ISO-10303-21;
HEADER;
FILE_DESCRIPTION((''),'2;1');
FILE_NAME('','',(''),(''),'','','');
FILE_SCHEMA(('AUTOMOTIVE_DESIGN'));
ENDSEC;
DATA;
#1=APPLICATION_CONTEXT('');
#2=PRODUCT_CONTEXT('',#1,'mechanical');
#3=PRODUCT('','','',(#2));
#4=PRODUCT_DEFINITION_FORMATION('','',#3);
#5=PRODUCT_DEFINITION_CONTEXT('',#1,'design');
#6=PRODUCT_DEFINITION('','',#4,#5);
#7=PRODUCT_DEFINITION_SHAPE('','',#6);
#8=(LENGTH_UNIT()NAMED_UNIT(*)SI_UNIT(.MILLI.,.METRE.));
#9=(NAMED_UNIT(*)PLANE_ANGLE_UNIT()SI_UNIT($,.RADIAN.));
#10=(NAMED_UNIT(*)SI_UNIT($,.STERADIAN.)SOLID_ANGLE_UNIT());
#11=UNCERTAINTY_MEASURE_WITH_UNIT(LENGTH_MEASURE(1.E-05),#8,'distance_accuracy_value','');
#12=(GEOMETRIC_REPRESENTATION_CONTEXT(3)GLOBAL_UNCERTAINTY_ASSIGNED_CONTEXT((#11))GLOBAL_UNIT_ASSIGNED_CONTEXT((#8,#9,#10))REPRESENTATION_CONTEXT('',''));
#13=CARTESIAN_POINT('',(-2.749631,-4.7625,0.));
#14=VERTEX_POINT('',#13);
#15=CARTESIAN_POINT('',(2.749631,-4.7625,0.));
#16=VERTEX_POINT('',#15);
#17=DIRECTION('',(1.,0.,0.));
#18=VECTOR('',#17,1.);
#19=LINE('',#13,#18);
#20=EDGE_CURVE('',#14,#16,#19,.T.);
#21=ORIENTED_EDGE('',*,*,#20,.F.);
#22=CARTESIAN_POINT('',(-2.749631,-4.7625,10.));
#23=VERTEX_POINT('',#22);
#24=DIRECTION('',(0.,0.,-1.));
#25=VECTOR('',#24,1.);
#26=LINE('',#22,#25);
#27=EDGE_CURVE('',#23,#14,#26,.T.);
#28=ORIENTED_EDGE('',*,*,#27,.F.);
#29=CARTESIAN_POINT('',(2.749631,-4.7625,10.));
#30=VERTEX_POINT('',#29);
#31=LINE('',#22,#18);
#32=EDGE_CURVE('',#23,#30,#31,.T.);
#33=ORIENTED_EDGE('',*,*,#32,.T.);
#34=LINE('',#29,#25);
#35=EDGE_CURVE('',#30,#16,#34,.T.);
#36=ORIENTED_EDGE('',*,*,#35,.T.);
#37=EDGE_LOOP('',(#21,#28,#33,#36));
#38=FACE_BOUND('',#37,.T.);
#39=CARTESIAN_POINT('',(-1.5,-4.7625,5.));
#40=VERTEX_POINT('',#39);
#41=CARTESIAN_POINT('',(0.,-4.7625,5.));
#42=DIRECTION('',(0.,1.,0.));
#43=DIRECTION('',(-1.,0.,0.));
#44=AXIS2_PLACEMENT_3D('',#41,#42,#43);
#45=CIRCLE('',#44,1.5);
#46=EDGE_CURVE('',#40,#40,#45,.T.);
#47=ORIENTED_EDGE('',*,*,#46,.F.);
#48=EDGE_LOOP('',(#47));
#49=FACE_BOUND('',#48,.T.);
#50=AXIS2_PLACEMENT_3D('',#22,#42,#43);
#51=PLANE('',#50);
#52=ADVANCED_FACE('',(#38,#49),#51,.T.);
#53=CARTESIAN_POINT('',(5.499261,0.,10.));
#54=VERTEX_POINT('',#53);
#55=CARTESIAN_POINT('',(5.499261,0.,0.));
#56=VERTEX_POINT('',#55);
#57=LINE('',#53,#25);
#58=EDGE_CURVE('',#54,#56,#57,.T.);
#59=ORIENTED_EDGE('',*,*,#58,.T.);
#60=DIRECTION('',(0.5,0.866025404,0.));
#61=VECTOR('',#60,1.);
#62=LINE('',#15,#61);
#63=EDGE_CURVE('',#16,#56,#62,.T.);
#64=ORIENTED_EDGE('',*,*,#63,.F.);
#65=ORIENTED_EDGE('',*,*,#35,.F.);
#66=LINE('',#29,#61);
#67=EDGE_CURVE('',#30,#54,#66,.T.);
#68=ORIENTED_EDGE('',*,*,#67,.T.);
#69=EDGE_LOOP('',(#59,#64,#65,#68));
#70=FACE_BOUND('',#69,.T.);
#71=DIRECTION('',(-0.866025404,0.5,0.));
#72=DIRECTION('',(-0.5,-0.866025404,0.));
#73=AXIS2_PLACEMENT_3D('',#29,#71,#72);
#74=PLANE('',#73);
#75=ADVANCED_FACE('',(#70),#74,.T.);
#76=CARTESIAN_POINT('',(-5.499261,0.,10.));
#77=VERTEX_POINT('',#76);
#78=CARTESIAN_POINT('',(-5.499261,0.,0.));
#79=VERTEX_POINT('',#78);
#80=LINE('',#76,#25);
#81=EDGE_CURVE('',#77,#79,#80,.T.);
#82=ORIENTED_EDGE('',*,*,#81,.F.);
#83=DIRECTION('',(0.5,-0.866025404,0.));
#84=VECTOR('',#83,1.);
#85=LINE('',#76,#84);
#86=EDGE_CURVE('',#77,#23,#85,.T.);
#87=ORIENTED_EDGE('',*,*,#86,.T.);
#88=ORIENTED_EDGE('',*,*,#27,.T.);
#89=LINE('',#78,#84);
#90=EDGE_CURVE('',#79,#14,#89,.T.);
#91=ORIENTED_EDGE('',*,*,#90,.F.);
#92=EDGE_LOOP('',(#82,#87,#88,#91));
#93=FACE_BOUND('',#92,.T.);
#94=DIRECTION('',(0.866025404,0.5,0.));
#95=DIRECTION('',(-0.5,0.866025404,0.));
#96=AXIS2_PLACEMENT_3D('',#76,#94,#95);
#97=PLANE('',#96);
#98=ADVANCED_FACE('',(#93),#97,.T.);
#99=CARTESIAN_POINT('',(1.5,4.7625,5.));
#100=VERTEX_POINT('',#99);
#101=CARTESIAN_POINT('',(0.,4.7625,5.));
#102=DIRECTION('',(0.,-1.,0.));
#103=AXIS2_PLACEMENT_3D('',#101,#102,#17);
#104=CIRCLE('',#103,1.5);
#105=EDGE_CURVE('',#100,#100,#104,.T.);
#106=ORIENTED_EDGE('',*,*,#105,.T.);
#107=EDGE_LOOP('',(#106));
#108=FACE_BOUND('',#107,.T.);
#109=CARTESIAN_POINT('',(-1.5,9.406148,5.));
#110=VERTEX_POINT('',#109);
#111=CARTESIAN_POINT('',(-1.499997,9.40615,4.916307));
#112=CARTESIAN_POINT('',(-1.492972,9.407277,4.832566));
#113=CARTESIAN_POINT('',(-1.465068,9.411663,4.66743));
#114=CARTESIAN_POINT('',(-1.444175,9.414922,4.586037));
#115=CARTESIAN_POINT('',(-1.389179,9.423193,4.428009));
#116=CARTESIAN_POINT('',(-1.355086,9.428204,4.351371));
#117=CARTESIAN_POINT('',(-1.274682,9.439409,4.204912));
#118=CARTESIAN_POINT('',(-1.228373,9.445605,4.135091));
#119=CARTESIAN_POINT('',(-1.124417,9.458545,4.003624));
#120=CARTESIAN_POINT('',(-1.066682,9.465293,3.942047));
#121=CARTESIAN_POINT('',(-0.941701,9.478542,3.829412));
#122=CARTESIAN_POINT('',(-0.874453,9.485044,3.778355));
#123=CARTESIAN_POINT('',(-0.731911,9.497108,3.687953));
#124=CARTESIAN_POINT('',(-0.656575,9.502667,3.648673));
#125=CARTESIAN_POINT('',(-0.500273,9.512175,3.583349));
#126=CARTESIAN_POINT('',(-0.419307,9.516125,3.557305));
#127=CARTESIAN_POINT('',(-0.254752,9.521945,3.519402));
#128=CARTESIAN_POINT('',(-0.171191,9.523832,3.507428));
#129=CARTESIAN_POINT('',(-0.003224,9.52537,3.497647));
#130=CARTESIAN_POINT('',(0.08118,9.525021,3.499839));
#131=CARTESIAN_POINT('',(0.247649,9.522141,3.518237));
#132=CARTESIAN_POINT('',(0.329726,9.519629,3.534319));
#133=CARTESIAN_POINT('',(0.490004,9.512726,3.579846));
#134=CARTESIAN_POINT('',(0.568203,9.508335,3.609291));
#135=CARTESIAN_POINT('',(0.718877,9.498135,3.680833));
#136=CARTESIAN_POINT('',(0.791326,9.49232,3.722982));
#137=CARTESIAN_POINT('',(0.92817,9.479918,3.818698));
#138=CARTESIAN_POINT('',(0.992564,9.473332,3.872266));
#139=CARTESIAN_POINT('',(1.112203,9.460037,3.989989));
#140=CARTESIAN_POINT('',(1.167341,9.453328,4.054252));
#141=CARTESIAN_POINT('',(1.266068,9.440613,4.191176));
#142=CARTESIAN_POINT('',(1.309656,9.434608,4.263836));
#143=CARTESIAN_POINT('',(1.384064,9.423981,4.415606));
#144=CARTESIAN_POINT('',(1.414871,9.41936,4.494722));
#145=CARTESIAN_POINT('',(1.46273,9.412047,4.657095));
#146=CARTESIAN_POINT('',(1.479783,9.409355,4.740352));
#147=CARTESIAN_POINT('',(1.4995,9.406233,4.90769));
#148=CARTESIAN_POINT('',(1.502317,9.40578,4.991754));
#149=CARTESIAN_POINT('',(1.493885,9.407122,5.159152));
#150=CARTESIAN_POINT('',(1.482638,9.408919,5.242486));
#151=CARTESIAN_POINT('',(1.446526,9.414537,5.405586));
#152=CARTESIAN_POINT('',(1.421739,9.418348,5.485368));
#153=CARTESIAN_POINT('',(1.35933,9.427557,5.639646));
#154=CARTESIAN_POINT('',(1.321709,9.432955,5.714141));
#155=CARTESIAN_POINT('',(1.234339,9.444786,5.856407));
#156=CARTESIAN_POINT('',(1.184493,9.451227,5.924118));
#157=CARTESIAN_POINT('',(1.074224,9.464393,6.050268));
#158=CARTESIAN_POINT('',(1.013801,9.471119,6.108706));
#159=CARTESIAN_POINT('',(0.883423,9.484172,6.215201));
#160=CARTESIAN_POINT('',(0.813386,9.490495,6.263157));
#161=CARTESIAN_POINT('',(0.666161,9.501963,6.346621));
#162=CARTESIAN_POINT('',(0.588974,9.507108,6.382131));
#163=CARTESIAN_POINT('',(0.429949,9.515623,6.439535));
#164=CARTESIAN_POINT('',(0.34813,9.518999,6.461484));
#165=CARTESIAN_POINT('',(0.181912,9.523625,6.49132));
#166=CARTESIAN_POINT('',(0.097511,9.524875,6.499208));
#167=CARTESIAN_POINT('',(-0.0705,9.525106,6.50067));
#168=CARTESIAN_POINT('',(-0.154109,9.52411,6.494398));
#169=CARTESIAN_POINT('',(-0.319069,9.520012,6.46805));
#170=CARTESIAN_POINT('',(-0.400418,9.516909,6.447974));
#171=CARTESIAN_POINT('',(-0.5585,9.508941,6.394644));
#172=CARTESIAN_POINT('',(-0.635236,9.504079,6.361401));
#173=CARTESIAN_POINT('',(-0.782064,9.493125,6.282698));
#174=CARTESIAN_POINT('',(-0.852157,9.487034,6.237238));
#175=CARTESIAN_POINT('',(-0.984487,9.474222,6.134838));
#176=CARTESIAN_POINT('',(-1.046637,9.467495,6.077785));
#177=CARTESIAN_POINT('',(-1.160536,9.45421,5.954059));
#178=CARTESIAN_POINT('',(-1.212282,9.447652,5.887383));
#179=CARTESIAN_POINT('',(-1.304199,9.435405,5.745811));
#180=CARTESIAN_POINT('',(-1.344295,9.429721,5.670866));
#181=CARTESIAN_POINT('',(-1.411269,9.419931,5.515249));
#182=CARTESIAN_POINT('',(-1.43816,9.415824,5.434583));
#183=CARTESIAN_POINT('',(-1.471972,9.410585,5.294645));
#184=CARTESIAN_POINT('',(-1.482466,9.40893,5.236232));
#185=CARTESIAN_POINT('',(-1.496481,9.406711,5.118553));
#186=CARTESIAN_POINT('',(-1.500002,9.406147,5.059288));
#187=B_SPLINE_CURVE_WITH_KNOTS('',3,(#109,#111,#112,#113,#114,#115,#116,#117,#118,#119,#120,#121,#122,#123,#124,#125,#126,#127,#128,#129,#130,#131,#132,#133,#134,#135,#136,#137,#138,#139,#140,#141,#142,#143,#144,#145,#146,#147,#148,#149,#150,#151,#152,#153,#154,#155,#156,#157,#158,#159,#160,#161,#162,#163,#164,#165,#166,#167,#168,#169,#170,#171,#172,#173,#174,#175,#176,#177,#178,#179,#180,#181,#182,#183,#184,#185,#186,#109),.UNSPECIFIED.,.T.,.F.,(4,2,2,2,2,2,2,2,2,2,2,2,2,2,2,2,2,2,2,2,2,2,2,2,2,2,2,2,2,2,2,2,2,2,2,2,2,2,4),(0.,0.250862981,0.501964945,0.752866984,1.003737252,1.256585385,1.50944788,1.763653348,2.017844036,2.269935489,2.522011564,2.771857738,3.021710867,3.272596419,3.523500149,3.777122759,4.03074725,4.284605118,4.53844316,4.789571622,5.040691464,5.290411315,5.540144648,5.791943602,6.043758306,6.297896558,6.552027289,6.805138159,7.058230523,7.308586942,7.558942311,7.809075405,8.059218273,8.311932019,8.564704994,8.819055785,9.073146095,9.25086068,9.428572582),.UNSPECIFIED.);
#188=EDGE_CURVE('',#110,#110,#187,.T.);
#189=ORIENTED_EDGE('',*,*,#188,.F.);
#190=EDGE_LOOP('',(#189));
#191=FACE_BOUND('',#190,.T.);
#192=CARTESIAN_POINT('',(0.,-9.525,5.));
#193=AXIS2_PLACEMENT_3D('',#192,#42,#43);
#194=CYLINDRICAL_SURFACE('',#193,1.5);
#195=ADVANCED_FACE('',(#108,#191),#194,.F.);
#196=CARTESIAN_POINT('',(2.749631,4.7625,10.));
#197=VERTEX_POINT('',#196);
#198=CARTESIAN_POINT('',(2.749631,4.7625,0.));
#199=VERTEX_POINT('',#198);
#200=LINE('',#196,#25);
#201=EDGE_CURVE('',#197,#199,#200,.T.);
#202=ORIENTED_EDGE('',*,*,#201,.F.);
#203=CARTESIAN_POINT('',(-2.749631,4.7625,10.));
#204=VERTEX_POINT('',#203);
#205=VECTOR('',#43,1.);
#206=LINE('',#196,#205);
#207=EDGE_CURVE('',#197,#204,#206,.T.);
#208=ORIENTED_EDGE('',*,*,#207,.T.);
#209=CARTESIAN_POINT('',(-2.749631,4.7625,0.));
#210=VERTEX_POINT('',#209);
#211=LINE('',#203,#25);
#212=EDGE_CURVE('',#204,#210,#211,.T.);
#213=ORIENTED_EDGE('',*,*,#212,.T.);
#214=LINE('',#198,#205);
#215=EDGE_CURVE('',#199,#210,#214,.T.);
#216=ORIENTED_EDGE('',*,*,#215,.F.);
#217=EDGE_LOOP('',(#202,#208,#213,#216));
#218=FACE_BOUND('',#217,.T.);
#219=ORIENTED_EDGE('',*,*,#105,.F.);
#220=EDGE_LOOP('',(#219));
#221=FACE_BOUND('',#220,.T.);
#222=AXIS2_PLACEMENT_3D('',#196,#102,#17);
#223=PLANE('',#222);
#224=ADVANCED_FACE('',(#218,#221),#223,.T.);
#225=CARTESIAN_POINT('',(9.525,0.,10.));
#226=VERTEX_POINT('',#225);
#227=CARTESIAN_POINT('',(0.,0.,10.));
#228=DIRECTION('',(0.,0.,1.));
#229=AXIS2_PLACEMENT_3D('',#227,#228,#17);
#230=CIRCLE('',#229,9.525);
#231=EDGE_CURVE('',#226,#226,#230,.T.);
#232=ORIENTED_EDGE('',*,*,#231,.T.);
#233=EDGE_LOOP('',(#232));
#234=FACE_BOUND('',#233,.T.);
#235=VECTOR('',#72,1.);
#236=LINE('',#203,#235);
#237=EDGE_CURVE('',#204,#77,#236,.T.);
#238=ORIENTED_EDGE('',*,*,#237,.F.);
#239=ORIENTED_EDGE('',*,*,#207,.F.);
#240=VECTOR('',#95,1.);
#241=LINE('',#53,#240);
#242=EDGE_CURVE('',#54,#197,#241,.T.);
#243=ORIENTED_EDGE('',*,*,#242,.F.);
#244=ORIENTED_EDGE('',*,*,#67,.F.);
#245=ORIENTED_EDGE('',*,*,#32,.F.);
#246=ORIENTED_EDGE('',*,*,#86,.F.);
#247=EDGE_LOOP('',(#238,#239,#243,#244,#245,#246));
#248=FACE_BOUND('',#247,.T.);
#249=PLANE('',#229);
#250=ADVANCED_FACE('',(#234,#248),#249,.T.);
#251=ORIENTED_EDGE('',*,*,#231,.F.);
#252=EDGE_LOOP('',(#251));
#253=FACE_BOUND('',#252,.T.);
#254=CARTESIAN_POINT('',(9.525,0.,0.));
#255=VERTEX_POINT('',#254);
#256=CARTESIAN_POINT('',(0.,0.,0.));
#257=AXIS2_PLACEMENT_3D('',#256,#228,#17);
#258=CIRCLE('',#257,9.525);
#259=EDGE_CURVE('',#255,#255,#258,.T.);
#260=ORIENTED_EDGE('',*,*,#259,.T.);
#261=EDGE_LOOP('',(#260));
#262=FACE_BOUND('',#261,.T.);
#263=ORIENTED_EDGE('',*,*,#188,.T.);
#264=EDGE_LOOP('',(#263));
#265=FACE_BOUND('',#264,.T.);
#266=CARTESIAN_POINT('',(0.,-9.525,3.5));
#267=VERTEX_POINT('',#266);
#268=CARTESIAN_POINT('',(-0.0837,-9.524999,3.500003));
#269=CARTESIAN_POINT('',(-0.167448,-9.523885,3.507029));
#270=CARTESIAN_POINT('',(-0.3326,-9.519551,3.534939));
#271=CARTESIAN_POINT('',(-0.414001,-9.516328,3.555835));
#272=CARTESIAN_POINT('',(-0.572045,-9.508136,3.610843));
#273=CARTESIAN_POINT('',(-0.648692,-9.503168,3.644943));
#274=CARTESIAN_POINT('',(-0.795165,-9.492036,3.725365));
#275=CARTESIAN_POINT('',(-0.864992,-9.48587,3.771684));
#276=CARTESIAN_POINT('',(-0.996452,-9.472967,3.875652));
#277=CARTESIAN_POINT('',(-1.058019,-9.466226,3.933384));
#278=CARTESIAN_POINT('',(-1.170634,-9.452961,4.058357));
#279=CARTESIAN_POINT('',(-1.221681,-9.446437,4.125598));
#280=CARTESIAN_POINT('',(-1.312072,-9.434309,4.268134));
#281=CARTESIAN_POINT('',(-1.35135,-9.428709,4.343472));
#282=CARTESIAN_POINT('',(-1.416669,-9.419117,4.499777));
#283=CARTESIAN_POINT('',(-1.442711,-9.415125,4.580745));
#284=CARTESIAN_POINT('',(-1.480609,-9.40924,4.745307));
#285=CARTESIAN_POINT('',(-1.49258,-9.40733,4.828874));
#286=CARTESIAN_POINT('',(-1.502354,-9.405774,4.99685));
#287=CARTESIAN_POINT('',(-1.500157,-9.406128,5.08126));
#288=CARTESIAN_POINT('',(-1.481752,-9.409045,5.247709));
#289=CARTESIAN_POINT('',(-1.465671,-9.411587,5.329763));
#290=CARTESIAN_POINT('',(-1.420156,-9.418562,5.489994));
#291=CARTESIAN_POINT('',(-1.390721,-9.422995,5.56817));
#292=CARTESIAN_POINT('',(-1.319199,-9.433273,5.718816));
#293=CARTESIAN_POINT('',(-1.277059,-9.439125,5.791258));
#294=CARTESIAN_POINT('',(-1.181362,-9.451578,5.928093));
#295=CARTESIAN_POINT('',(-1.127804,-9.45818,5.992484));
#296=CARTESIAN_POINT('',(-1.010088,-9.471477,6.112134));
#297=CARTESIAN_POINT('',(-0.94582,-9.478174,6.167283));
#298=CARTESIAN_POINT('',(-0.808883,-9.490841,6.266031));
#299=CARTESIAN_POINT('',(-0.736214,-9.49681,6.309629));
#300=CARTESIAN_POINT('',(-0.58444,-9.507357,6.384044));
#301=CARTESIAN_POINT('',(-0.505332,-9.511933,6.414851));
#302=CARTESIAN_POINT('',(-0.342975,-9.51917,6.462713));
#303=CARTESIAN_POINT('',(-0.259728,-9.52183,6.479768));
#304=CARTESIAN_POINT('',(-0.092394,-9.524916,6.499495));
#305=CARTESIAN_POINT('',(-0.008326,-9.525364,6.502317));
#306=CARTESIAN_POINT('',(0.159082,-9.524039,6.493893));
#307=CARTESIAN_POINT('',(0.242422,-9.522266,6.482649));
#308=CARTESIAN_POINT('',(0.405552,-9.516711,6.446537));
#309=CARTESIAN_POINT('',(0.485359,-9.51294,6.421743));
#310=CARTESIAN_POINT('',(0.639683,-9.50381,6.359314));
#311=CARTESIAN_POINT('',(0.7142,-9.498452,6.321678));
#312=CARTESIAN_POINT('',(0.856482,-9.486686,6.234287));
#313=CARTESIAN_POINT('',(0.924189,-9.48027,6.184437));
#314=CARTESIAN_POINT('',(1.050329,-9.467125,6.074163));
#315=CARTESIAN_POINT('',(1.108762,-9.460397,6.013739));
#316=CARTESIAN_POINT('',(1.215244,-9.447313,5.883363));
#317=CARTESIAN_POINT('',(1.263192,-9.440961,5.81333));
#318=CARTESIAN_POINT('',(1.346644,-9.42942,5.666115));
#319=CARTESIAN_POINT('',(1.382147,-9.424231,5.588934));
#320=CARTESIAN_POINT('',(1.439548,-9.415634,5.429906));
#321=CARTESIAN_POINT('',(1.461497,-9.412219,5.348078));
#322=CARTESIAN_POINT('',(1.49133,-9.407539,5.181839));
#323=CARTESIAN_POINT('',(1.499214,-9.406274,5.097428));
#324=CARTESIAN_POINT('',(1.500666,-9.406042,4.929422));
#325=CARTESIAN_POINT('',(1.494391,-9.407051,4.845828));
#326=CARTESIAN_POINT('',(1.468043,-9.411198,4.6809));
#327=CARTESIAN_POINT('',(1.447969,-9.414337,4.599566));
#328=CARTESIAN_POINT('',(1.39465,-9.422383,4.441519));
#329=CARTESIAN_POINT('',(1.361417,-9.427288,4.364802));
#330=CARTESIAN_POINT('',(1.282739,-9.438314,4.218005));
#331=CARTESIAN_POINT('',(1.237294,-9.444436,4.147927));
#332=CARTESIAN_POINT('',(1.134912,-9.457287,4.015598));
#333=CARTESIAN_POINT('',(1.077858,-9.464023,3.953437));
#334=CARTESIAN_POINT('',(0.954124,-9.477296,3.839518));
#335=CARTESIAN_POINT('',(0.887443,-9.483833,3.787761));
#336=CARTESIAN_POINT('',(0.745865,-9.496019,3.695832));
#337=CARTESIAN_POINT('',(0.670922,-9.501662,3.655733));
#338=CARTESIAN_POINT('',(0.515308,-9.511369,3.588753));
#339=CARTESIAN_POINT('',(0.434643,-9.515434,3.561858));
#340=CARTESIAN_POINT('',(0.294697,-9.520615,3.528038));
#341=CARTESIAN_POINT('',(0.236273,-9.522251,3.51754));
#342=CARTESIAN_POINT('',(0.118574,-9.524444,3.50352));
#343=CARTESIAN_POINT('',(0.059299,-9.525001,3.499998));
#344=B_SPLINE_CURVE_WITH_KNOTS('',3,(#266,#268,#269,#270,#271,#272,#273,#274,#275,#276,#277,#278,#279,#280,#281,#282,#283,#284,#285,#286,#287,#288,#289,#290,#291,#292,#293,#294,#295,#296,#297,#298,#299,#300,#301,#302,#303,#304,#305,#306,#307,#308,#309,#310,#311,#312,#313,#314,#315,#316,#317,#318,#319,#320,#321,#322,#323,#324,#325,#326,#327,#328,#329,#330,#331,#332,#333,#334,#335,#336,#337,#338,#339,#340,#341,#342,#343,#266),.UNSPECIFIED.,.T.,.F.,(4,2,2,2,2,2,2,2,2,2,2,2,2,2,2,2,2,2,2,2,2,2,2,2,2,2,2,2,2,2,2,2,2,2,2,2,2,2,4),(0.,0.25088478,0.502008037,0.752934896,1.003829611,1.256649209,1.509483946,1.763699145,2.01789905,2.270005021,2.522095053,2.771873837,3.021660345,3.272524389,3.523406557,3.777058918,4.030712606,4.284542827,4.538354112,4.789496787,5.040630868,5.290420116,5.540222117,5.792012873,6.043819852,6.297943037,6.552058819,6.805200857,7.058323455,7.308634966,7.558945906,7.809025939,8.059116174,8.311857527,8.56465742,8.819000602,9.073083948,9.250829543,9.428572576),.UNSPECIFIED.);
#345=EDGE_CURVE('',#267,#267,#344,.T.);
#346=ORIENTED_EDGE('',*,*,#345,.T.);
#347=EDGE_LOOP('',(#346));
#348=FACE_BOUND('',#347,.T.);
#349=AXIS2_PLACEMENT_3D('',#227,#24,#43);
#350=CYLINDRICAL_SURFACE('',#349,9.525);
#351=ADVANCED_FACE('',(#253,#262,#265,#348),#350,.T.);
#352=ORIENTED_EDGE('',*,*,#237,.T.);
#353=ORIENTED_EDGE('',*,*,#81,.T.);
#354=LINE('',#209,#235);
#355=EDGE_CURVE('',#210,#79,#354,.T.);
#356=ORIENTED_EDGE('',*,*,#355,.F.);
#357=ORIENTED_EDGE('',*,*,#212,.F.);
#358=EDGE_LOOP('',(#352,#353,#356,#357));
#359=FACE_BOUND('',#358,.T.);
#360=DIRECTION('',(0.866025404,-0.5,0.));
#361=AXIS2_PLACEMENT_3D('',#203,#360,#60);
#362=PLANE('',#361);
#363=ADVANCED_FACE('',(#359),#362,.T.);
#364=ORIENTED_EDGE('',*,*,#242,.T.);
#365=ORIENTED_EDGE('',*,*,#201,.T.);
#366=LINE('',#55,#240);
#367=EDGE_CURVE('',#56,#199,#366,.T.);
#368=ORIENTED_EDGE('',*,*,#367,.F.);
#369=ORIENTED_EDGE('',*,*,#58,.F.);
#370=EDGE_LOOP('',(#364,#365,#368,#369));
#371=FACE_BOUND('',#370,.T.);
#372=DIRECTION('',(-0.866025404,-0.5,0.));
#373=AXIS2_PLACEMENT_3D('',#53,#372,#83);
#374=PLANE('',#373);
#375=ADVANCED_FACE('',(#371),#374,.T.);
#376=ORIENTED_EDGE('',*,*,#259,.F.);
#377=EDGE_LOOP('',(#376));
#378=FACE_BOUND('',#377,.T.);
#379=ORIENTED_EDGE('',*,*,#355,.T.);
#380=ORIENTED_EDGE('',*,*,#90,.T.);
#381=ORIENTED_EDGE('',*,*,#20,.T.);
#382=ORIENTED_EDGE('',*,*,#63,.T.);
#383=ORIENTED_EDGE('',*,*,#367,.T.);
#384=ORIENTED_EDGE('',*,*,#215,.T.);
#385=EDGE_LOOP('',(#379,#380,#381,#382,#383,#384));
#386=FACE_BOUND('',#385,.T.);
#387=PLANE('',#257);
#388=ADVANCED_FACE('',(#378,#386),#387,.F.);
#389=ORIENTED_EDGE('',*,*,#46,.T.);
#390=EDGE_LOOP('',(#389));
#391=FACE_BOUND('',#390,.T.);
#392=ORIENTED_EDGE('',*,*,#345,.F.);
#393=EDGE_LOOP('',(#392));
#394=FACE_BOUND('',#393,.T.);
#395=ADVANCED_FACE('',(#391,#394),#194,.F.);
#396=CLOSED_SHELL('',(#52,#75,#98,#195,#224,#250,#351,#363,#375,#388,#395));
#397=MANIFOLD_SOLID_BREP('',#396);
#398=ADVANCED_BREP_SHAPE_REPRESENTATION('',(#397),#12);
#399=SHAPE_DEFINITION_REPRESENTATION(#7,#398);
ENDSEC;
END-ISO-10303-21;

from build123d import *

# Parameters (mm, degrees)
SKETCH2_R               = 9.525
BOSS_EXTRUDE1_DEPTH     = 10
SKETCH3_R               = 1.5
CUT_EXTRUDE1_DEPTH      = 15.2875
CUT_EXTRUDE1_DEPTH_BACK = 5.7625


with BuildPart() as part:
    # Sketch2 → Boss-Extrude1 (new body)
    with BuildSketch(Plane.XY):
        Circle(SKETCH2_R)
        Polygon((5.499261314, 0), (2.749630657, 4.7625), (-2.749630657, 4.7625), (-5.499261314, 0), (-2.749630657, -4.7625), (2.749630657, -4.7625), align=None, mode=Mode.SUBTRACT)
    extrude(amount=BOSS_EXTRUDE1_DEPTH)

    # Sketch3 → Cut-Extrude1 (cut, two sides)
    with BuildSketch(Plane(origin=(0, -4.7625, 0), x_dir=(1, 0, 0), z_dir=(0, 1, 0))) as cut_extrude1_sk:
        with Locations((0, -5)):
            Circle(SKETCH3_R)
    extrude(amount=CUT_EXTRUDE1_DEPTH, mode=Mode.SUBTRACT)
    extrude(cut_extrude1_sk.sketch, amount=-CUT_EXTRUDE1_DEPTH_BACK, mode=Mode.SUBTRACT)


solid = part.part
